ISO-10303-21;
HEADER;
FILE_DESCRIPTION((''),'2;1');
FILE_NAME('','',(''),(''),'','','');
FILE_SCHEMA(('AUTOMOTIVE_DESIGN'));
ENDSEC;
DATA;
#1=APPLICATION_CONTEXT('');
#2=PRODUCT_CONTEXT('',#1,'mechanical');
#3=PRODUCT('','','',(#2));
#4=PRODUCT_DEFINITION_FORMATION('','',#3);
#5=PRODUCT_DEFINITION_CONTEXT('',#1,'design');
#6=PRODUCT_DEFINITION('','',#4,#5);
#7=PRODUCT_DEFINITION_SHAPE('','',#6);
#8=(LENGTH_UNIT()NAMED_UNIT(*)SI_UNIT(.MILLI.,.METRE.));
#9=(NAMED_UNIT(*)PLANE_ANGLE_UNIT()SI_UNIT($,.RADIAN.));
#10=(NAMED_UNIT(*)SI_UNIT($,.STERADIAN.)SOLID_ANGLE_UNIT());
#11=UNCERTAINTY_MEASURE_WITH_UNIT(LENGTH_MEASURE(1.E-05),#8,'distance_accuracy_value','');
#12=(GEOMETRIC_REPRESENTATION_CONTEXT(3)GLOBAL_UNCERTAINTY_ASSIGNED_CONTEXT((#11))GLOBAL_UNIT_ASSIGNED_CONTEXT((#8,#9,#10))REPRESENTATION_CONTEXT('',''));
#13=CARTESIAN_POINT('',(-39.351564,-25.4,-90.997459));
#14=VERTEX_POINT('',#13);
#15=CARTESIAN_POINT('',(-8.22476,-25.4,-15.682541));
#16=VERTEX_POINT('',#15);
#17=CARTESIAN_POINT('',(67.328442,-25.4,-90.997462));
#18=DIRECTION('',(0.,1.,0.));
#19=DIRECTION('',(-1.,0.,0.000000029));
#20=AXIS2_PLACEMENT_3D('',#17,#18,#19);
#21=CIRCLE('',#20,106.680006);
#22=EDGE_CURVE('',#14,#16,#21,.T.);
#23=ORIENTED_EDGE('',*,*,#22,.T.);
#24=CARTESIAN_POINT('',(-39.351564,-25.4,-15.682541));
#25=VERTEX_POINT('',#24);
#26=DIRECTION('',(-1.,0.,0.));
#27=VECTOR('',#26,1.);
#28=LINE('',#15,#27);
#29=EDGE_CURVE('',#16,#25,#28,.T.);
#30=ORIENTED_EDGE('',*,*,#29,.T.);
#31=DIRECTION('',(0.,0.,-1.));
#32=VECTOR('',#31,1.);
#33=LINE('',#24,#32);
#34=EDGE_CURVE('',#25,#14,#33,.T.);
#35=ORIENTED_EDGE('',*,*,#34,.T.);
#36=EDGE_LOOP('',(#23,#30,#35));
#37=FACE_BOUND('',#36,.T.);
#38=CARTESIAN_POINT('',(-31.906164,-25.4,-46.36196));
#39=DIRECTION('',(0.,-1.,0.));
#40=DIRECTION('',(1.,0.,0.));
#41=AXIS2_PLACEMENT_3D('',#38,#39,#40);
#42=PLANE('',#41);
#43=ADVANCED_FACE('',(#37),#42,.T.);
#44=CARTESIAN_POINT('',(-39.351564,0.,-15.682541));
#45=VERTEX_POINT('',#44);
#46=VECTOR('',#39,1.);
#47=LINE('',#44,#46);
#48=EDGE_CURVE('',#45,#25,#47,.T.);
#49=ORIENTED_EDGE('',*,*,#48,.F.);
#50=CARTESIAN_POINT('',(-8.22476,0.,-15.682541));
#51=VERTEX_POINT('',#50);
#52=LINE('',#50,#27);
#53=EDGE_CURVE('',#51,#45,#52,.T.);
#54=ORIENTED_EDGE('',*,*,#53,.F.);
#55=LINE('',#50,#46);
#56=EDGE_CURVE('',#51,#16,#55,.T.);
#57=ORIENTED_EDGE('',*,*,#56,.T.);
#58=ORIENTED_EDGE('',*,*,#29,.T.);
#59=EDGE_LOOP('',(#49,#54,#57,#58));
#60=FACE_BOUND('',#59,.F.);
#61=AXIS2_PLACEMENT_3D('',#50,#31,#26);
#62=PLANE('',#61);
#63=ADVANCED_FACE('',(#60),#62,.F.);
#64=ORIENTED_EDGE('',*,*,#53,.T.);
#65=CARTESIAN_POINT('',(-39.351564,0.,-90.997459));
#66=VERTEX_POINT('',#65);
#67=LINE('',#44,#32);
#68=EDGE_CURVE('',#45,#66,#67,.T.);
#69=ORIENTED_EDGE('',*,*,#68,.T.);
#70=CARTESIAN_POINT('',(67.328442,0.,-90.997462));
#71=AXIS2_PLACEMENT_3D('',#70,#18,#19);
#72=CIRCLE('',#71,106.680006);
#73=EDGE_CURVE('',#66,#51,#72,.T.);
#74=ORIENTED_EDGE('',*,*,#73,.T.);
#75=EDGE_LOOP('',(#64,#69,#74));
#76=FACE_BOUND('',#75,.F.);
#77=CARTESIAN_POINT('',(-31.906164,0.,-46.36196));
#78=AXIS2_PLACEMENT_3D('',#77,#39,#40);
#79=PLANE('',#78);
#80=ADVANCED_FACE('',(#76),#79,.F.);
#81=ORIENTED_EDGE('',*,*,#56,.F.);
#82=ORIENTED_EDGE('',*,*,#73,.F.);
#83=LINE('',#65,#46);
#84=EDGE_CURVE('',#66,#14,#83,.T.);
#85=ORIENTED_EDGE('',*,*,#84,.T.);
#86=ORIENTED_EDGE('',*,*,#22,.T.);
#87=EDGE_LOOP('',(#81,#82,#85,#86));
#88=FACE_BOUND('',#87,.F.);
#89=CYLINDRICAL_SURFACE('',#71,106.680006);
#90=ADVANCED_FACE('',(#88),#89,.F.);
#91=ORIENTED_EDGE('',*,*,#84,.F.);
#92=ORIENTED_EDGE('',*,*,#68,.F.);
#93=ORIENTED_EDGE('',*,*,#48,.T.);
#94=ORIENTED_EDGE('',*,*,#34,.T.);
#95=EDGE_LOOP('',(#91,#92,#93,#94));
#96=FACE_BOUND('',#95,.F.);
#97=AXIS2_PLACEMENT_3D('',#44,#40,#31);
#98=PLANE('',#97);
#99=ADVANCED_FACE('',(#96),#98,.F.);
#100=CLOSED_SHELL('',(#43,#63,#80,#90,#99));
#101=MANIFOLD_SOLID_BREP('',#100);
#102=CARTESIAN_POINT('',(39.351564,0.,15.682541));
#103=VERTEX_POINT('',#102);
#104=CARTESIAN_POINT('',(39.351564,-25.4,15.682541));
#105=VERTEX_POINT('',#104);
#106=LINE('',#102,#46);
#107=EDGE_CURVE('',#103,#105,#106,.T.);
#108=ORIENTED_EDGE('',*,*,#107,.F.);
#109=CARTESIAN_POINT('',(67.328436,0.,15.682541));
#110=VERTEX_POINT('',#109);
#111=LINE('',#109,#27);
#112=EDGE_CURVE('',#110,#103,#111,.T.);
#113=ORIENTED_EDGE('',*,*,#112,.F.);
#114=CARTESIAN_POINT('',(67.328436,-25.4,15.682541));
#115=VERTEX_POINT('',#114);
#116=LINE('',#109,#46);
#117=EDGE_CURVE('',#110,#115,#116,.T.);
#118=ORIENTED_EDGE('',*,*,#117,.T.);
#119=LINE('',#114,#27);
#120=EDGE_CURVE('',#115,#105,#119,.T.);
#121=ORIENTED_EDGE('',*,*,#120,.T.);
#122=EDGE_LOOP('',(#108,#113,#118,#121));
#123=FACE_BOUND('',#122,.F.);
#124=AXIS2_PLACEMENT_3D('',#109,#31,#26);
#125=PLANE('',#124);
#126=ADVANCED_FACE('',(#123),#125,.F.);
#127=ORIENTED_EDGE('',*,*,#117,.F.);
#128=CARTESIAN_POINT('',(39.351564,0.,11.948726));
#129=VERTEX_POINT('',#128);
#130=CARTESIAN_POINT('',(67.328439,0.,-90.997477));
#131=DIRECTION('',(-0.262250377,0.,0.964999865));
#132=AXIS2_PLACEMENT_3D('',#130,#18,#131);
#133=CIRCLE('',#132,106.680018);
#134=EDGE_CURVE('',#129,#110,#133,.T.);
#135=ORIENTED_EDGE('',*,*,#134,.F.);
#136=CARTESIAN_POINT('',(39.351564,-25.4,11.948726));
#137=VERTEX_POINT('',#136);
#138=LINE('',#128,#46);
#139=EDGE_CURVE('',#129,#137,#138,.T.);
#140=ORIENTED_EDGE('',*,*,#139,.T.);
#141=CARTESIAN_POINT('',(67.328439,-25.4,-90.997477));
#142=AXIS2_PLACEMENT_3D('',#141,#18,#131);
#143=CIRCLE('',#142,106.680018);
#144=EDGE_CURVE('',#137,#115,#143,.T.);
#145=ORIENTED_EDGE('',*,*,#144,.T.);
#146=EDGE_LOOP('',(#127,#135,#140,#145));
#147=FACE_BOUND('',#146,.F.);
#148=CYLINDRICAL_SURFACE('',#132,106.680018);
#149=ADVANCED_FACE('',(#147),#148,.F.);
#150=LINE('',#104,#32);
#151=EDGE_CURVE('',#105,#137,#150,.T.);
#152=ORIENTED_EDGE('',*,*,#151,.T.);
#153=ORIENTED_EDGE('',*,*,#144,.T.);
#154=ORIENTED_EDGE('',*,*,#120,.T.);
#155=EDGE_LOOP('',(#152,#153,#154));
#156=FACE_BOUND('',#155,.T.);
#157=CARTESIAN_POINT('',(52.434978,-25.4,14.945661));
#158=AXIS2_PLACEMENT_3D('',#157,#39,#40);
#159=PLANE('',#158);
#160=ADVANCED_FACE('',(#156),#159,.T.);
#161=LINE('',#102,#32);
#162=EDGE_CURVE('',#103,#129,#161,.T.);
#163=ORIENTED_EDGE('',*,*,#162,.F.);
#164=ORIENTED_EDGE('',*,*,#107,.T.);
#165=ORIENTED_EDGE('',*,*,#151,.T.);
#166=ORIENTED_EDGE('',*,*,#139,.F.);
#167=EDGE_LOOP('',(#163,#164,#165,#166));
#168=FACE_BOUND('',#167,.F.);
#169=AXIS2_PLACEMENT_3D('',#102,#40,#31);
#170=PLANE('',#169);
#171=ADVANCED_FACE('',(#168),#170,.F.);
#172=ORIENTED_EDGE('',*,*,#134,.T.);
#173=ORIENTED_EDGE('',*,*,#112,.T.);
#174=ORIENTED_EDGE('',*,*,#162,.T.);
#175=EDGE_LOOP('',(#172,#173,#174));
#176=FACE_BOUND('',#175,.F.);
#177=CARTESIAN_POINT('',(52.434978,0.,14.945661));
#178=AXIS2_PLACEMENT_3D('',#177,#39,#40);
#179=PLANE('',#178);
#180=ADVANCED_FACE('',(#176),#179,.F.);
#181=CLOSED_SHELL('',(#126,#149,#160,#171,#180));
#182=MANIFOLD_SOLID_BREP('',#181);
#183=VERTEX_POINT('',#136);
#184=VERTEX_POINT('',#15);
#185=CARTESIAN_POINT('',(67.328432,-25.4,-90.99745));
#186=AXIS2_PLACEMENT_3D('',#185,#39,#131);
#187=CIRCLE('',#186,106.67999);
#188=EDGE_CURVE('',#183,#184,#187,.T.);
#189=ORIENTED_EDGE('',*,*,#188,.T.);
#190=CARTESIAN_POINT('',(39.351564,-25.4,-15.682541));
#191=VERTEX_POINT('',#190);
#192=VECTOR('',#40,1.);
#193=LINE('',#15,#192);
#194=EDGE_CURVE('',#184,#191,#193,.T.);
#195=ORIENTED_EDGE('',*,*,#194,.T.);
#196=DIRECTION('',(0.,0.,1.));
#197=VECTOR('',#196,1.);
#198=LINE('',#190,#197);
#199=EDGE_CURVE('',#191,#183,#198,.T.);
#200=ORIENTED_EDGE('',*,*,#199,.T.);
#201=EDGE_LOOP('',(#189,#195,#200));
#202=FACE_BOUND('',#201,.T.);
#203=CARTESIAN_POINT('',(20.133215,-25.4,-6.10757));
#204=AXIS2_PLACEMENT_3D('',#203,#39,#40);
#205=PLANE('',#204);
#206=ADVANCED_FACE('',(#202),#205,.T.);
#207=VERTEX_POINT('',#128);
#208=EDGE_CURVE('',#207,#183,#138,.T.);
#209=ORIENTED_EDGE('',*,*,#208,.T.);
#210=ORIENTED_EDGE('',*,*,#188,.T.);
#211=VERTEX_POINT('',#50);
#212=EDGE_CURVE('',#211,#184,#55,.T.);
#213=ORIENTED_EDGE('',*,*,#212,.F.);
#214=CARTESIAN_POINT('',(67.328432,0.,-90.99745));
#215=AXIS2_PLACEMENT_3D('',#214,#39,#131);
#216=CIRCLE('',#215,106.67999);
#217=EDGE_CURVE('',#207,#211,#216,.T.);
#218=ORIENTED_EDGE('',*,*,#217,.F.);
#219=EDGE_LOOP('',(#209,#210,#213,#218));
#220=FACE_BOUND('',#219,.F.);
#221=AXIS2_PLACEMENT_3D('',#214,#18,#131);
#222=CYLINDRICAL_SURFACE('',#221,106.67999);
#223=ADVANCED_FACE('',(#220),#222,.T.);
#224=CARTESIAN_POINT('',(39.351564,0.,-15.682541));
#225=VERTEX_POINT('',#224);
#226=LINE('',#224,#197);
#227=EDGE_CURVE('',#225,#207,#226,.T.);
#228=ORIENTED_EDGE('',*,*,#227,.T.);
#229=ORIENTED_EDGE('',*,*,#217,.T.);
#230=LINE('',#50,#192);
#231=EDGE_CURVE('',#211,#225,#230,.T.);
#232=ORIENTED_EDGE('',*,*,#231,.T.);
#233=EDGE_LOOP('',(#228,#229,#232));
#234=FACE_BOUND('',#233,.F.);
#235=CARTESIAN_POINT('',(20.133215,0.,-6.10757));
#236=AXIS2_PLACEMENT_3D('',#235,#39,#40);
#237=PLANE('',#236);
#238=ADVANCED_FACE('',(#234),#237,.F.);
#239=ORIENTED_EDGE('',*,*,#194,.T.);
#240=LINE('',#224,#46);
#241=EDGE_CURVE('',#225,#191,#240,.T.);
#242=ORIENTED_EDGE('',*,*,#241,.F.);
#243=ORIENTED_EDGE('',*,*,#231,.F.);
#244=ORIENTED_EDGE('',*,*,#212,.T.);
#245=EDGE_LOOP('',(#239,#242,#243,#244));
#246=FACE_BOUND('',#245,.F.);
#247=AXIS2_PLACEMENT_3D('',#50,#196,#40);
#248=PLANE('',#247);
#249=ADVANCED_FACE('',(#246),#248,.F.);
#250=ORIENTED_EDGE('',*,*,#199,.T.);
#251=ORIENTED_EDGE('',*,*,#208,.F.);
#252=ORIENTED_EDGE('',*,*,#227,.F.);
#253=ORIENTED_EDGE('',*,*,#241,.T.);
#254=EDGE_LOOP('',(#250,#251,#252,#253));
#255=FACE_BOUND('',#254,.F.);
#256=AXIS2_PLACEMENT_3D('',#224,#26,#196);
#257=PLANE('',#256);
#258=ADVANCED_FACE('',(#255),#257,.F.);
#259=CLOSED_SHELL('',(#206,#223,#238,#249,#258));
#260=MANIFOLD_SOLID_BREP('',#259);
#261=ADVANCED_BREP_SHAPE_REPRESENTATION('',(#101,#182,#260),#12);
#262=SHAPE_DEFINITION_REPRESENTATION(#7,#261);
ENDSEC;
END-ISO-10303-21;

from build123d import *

# Parameters (mm, degrees)
F1_DEPTH = 25.4


with BuildPart() as f1:
    # F0 (on Front) → F1 (new body)
    with BuildSketch(Plane.XZ):
        with BuildLine():
            ThreePointArc((39.351564, 11.948726), (53.21597, 14.744967), (67.328436, 15.682541))
            Line((67.328436, 15.682541), (39.351564, 15.682541))
            Line((39.351564, 15.682541), (39.351564, 11.948726))
        make_face()
        with BuildLine():
            ThreePointArc((-39.351564, -90.997459), (-31.26324, -50.250635), (-8.22476, -15.682541))
            Line((-8.22476, -15.682541), (-39.351564, -15.682541))
            Line((-39.351564, -15.682541), (-39.351564, -90.997459))
        make_face()
        with BuildLine():
            Line((39.351564, -15.682541), (39.351564, 11.948726))
            ThreePointArc((39.351564, 11.948726), (13.751477, 1.252917), (-8.22476, -15.682541))
            Line((-8.22476, -15.682541), (39.351564, -15.682541))
        make_face()
    extrude(amount=F1_DEPTH)


solid = f1.part
